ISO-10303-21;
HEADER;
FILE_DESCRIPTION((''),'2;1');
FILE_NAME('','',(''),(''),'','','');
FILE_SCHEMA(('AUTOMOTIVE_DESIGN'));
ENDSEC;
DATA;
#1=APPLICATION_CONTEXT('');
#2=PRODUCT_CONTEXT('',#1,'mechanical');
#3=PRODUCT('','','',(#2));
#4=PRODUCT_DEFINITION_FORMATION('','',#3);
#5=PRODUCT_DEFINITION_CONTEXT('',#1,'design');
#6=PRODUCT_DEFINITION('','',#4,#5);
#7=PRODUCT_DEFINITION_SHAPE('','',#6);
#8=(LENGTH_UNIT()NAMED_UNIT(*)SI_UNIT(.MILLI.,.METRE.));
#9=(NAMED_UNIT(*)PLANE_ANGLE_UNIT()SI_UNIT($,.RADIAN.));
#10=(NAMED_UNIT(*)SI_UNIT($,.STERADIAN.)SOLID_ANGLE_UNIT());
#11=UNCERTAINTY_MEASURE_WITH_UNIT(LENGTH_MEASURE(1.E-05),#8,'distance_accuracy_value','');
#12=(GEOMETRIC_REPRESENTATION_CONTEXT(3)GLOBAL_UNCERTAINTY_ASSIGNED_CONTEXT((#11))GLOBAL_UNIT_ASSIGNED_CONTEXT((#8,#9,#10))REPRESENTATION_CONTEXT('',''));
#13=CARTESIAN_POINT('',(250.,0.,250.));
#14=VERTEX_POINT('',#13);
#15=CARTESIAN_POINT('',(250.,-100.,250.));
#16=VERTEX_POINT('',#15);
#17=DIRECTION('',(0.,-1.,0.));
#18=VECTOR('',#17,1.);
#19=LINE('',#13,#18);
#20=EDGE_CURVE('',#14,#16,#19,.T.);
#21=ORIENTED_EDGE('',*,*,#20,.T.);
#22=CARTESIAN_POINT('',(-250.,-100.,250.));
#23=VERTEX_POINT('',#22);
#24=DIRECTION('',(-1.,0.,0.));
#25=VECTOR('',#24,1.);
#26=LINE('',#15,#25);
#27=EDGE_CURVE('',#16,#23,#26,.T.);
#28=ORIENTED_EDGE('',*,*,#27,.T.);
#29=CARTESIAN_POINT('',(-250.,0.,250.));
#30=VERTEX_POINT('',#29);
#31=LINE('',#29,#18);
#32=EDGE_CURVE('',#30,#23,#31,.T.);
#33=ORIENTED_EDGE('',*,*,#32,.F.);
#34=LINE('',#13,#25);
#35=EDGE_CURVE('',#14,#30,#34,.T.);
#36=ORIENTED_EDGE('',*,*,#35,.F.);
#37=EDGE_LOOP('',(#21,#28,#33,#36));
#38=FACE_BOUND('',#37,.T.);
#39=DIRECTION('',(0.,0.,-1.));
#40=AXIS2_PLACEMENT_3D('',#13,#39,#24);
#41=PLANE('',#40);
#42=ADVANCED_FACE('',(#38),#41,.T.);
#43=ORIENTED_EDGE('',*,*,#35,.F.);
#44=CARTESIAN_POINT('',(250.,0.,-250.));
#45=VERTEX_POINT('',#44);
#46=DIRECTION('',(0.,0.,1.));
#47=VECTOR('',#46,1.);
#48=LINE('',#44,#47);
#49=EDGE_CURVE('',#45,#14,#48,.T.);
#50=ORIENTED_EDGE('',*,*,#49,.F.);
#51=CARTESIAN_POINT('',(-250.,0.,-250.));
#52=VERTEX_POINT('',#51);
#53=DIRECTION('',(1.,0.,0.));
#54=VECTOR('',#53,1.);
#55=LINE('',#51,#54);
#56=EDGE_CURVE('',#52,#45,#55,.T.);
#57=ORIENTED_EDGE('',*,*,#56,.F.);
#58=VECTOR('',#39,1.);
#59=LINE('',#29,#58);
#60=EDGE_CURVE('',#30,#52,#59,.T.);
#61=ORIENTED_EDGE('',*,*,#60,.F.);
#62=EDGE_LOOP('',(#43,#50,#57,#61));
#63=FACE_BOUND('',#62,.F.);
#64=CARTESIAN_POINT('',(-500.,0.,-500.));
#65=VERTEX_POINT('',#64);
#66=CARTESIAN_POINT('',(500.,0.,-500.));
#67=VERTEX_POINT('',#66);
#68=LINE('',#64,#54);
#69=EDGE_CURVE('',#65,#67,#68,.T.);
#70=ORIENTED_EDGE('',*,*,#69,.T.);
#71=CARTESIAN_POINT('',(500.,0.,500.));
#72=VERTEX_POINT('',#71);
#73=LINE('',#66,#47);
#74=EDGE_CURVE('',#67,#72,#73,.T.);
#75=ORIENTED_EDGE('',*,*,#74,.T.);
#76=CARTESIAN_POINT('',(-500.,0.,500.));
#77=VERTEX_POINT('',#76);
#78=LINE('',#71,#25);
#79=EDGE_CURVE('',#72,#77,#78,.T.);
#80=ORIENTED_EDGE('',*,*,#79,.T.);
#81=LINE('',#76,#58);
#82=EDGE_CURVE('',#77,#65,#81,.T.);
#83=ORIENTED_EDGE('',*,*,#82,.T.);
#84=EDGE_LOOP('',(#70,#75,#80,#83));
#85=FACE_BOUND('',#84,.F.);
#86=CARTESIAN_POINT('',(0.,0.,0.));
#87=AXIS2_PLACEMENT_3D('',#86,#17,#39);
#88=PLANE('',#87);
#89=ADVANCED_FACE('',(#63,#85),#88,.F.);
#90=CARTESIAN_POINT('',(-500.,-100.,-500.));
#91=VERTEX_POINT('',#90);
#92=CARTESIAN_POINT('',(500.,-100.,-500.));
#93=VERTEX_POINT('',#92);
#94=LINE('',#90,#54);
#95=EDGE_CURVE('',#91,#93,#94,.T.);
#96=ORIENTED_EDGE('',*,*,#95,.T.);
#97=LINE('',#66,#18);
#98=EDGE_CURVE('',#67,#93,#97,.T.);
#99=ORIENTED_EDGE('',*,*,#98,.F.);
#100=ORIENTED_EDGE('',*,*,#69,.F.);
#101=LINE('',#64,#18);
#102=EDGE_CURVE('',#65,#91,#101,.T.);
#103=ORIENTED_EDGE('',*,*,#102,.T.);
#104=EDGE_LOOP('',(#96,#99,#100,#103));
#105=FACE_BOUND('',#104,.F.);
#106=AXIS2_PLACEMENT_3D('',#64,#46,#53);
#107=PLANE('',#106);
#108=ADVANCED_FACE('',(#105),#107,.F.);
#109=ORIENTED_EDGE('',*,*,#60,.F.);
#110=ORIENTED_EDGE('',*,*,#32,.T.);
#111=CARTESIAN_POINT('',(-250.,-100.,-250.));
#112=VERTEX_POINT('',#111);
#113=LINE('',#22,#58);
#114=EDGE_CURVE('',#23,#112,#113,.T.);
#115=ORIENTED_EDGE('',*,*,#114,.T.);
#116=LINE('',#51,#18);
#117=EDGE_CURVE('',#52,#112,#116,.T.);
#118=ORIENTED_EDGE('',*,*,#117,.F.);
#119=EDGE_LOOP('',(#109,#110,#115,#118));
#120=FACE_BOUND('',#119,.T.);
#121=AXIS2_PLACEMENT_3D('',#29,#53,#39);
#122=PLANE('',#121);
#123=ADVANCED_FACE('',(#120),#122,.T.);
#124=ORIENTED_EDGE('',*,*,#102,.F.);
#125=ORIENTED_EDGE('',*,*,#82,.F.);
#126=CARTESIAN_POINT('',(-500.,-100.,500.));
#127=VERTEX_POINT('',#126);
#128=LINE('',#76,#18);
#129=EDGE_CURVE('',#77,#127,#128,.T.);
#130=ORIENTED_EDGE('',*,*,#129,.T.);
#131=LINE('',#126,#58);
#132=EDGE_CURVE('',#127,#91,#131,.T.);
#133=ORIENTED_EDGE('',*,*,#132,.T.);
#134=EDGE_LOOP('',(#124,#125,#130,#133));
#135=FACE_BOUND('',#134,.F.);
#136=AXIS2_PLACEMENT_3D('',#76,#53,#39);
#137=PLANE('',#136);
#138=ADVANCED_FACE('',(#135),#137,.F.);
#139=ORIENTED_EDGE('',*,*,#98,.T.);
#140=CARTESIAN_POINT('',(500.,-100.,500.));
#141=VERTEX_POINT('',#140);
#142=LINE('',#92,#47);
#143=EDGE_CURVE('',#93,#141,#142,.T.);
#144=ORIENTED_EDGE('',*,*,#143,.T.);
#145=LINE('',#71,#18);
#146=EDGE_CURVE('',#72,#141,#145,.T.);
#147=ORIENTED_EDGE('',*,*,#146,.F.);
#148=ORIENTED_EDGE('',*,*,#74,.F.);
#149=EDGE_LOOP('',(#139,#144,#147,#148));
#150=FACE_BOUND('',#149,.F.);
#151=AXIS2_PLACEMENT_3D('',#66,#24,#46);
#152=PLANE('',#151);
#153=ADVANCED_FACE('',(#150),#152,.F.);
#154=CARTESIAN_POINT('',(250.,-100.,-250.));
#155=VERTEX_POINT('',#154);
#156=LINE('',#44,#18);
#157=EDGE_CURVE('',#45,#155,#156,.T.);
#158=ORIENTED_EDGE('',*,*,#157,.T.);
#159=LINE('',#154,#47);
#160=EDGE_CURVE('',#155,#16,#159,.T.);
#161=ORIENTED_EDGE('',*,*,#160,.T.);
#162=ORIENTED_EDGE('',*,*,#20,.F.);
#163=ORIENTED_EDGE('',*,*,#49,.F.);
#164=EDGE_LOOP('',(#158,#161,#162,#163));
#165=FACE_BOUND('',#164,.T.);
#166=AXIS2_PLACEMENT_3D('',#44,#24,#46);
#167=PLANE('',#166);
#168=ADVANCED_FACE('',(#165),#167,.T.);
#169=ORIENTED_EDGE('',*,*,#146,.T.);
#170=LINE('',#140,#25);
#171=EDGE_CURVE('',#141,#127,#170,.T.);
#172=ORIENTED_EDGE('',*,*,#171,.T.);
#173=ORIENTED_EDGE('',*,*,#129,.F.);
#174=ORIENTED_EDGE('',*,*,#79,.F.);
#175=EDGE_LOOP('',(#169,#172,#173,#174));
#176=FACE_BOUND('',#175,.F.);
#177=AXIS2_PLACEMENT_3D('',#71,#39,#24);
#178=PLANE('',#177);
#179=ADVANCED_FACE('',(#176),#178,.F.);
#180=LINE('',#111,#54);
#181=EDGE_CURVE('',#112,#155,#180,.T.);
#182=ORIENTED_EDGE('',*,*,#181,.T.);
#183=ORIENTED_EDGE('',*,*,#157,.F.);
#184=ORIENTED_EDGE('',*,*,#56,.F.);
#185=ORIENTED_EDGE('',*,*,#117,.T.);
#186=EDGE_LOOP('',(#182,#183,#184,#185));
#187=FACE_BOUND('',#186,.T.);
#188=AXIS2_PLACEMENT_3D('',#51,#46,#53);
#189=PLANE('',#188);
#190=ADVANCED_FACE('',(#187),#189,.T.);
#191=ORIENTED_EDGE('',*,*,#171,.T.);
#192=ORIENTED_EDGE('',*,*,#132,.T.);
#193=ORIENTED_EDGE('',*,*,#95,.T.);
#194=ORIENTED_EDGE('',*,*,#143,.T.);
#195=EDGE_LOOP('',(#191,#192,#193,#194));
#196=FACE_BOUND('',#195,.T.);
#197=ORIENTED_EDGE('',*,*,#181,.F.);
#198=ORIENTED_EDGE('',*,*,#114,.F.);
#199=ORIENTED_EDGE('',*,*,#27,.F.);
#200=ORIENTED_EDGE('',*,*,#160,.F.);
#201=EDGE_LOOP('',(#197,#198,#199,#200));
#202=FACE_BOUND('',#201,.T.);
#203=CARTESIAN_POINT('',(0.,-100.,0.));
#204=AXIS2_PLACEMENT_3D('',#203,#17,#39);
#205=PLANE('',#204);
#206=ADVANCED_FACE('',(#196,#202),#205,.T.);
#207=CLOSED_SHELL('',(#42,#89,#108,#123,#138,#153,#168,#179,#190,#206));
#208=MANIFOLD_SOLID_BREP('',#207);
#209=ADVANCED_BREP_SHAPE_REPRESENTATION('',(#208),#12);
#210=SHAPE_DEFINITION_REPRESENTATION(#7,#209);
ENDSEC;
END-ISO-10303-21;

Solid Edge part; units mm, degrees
sketch "Sketch1" plane through (0, 0, 0) normal (0, -1, 0) x (1, 0, 0)
  line L0 (500, 500) -> (-500, 500)
  line L1 (-500, 500) -> (-500, -500)
  line L2 (-500, -500) -> (500, -500)
  line L3 (500, -500) -> (500, 500)
  line L4 (250, 250) -> (-250, 250)
  line L5 (-250, 250) -> (-250, -250)
  line L6 (-250, -250) -> (250, -250)
  line L7 (250, -250) -> (250, 250)
extrude "Protrusion1" add sketch "Sketch1" along normal blind 100
